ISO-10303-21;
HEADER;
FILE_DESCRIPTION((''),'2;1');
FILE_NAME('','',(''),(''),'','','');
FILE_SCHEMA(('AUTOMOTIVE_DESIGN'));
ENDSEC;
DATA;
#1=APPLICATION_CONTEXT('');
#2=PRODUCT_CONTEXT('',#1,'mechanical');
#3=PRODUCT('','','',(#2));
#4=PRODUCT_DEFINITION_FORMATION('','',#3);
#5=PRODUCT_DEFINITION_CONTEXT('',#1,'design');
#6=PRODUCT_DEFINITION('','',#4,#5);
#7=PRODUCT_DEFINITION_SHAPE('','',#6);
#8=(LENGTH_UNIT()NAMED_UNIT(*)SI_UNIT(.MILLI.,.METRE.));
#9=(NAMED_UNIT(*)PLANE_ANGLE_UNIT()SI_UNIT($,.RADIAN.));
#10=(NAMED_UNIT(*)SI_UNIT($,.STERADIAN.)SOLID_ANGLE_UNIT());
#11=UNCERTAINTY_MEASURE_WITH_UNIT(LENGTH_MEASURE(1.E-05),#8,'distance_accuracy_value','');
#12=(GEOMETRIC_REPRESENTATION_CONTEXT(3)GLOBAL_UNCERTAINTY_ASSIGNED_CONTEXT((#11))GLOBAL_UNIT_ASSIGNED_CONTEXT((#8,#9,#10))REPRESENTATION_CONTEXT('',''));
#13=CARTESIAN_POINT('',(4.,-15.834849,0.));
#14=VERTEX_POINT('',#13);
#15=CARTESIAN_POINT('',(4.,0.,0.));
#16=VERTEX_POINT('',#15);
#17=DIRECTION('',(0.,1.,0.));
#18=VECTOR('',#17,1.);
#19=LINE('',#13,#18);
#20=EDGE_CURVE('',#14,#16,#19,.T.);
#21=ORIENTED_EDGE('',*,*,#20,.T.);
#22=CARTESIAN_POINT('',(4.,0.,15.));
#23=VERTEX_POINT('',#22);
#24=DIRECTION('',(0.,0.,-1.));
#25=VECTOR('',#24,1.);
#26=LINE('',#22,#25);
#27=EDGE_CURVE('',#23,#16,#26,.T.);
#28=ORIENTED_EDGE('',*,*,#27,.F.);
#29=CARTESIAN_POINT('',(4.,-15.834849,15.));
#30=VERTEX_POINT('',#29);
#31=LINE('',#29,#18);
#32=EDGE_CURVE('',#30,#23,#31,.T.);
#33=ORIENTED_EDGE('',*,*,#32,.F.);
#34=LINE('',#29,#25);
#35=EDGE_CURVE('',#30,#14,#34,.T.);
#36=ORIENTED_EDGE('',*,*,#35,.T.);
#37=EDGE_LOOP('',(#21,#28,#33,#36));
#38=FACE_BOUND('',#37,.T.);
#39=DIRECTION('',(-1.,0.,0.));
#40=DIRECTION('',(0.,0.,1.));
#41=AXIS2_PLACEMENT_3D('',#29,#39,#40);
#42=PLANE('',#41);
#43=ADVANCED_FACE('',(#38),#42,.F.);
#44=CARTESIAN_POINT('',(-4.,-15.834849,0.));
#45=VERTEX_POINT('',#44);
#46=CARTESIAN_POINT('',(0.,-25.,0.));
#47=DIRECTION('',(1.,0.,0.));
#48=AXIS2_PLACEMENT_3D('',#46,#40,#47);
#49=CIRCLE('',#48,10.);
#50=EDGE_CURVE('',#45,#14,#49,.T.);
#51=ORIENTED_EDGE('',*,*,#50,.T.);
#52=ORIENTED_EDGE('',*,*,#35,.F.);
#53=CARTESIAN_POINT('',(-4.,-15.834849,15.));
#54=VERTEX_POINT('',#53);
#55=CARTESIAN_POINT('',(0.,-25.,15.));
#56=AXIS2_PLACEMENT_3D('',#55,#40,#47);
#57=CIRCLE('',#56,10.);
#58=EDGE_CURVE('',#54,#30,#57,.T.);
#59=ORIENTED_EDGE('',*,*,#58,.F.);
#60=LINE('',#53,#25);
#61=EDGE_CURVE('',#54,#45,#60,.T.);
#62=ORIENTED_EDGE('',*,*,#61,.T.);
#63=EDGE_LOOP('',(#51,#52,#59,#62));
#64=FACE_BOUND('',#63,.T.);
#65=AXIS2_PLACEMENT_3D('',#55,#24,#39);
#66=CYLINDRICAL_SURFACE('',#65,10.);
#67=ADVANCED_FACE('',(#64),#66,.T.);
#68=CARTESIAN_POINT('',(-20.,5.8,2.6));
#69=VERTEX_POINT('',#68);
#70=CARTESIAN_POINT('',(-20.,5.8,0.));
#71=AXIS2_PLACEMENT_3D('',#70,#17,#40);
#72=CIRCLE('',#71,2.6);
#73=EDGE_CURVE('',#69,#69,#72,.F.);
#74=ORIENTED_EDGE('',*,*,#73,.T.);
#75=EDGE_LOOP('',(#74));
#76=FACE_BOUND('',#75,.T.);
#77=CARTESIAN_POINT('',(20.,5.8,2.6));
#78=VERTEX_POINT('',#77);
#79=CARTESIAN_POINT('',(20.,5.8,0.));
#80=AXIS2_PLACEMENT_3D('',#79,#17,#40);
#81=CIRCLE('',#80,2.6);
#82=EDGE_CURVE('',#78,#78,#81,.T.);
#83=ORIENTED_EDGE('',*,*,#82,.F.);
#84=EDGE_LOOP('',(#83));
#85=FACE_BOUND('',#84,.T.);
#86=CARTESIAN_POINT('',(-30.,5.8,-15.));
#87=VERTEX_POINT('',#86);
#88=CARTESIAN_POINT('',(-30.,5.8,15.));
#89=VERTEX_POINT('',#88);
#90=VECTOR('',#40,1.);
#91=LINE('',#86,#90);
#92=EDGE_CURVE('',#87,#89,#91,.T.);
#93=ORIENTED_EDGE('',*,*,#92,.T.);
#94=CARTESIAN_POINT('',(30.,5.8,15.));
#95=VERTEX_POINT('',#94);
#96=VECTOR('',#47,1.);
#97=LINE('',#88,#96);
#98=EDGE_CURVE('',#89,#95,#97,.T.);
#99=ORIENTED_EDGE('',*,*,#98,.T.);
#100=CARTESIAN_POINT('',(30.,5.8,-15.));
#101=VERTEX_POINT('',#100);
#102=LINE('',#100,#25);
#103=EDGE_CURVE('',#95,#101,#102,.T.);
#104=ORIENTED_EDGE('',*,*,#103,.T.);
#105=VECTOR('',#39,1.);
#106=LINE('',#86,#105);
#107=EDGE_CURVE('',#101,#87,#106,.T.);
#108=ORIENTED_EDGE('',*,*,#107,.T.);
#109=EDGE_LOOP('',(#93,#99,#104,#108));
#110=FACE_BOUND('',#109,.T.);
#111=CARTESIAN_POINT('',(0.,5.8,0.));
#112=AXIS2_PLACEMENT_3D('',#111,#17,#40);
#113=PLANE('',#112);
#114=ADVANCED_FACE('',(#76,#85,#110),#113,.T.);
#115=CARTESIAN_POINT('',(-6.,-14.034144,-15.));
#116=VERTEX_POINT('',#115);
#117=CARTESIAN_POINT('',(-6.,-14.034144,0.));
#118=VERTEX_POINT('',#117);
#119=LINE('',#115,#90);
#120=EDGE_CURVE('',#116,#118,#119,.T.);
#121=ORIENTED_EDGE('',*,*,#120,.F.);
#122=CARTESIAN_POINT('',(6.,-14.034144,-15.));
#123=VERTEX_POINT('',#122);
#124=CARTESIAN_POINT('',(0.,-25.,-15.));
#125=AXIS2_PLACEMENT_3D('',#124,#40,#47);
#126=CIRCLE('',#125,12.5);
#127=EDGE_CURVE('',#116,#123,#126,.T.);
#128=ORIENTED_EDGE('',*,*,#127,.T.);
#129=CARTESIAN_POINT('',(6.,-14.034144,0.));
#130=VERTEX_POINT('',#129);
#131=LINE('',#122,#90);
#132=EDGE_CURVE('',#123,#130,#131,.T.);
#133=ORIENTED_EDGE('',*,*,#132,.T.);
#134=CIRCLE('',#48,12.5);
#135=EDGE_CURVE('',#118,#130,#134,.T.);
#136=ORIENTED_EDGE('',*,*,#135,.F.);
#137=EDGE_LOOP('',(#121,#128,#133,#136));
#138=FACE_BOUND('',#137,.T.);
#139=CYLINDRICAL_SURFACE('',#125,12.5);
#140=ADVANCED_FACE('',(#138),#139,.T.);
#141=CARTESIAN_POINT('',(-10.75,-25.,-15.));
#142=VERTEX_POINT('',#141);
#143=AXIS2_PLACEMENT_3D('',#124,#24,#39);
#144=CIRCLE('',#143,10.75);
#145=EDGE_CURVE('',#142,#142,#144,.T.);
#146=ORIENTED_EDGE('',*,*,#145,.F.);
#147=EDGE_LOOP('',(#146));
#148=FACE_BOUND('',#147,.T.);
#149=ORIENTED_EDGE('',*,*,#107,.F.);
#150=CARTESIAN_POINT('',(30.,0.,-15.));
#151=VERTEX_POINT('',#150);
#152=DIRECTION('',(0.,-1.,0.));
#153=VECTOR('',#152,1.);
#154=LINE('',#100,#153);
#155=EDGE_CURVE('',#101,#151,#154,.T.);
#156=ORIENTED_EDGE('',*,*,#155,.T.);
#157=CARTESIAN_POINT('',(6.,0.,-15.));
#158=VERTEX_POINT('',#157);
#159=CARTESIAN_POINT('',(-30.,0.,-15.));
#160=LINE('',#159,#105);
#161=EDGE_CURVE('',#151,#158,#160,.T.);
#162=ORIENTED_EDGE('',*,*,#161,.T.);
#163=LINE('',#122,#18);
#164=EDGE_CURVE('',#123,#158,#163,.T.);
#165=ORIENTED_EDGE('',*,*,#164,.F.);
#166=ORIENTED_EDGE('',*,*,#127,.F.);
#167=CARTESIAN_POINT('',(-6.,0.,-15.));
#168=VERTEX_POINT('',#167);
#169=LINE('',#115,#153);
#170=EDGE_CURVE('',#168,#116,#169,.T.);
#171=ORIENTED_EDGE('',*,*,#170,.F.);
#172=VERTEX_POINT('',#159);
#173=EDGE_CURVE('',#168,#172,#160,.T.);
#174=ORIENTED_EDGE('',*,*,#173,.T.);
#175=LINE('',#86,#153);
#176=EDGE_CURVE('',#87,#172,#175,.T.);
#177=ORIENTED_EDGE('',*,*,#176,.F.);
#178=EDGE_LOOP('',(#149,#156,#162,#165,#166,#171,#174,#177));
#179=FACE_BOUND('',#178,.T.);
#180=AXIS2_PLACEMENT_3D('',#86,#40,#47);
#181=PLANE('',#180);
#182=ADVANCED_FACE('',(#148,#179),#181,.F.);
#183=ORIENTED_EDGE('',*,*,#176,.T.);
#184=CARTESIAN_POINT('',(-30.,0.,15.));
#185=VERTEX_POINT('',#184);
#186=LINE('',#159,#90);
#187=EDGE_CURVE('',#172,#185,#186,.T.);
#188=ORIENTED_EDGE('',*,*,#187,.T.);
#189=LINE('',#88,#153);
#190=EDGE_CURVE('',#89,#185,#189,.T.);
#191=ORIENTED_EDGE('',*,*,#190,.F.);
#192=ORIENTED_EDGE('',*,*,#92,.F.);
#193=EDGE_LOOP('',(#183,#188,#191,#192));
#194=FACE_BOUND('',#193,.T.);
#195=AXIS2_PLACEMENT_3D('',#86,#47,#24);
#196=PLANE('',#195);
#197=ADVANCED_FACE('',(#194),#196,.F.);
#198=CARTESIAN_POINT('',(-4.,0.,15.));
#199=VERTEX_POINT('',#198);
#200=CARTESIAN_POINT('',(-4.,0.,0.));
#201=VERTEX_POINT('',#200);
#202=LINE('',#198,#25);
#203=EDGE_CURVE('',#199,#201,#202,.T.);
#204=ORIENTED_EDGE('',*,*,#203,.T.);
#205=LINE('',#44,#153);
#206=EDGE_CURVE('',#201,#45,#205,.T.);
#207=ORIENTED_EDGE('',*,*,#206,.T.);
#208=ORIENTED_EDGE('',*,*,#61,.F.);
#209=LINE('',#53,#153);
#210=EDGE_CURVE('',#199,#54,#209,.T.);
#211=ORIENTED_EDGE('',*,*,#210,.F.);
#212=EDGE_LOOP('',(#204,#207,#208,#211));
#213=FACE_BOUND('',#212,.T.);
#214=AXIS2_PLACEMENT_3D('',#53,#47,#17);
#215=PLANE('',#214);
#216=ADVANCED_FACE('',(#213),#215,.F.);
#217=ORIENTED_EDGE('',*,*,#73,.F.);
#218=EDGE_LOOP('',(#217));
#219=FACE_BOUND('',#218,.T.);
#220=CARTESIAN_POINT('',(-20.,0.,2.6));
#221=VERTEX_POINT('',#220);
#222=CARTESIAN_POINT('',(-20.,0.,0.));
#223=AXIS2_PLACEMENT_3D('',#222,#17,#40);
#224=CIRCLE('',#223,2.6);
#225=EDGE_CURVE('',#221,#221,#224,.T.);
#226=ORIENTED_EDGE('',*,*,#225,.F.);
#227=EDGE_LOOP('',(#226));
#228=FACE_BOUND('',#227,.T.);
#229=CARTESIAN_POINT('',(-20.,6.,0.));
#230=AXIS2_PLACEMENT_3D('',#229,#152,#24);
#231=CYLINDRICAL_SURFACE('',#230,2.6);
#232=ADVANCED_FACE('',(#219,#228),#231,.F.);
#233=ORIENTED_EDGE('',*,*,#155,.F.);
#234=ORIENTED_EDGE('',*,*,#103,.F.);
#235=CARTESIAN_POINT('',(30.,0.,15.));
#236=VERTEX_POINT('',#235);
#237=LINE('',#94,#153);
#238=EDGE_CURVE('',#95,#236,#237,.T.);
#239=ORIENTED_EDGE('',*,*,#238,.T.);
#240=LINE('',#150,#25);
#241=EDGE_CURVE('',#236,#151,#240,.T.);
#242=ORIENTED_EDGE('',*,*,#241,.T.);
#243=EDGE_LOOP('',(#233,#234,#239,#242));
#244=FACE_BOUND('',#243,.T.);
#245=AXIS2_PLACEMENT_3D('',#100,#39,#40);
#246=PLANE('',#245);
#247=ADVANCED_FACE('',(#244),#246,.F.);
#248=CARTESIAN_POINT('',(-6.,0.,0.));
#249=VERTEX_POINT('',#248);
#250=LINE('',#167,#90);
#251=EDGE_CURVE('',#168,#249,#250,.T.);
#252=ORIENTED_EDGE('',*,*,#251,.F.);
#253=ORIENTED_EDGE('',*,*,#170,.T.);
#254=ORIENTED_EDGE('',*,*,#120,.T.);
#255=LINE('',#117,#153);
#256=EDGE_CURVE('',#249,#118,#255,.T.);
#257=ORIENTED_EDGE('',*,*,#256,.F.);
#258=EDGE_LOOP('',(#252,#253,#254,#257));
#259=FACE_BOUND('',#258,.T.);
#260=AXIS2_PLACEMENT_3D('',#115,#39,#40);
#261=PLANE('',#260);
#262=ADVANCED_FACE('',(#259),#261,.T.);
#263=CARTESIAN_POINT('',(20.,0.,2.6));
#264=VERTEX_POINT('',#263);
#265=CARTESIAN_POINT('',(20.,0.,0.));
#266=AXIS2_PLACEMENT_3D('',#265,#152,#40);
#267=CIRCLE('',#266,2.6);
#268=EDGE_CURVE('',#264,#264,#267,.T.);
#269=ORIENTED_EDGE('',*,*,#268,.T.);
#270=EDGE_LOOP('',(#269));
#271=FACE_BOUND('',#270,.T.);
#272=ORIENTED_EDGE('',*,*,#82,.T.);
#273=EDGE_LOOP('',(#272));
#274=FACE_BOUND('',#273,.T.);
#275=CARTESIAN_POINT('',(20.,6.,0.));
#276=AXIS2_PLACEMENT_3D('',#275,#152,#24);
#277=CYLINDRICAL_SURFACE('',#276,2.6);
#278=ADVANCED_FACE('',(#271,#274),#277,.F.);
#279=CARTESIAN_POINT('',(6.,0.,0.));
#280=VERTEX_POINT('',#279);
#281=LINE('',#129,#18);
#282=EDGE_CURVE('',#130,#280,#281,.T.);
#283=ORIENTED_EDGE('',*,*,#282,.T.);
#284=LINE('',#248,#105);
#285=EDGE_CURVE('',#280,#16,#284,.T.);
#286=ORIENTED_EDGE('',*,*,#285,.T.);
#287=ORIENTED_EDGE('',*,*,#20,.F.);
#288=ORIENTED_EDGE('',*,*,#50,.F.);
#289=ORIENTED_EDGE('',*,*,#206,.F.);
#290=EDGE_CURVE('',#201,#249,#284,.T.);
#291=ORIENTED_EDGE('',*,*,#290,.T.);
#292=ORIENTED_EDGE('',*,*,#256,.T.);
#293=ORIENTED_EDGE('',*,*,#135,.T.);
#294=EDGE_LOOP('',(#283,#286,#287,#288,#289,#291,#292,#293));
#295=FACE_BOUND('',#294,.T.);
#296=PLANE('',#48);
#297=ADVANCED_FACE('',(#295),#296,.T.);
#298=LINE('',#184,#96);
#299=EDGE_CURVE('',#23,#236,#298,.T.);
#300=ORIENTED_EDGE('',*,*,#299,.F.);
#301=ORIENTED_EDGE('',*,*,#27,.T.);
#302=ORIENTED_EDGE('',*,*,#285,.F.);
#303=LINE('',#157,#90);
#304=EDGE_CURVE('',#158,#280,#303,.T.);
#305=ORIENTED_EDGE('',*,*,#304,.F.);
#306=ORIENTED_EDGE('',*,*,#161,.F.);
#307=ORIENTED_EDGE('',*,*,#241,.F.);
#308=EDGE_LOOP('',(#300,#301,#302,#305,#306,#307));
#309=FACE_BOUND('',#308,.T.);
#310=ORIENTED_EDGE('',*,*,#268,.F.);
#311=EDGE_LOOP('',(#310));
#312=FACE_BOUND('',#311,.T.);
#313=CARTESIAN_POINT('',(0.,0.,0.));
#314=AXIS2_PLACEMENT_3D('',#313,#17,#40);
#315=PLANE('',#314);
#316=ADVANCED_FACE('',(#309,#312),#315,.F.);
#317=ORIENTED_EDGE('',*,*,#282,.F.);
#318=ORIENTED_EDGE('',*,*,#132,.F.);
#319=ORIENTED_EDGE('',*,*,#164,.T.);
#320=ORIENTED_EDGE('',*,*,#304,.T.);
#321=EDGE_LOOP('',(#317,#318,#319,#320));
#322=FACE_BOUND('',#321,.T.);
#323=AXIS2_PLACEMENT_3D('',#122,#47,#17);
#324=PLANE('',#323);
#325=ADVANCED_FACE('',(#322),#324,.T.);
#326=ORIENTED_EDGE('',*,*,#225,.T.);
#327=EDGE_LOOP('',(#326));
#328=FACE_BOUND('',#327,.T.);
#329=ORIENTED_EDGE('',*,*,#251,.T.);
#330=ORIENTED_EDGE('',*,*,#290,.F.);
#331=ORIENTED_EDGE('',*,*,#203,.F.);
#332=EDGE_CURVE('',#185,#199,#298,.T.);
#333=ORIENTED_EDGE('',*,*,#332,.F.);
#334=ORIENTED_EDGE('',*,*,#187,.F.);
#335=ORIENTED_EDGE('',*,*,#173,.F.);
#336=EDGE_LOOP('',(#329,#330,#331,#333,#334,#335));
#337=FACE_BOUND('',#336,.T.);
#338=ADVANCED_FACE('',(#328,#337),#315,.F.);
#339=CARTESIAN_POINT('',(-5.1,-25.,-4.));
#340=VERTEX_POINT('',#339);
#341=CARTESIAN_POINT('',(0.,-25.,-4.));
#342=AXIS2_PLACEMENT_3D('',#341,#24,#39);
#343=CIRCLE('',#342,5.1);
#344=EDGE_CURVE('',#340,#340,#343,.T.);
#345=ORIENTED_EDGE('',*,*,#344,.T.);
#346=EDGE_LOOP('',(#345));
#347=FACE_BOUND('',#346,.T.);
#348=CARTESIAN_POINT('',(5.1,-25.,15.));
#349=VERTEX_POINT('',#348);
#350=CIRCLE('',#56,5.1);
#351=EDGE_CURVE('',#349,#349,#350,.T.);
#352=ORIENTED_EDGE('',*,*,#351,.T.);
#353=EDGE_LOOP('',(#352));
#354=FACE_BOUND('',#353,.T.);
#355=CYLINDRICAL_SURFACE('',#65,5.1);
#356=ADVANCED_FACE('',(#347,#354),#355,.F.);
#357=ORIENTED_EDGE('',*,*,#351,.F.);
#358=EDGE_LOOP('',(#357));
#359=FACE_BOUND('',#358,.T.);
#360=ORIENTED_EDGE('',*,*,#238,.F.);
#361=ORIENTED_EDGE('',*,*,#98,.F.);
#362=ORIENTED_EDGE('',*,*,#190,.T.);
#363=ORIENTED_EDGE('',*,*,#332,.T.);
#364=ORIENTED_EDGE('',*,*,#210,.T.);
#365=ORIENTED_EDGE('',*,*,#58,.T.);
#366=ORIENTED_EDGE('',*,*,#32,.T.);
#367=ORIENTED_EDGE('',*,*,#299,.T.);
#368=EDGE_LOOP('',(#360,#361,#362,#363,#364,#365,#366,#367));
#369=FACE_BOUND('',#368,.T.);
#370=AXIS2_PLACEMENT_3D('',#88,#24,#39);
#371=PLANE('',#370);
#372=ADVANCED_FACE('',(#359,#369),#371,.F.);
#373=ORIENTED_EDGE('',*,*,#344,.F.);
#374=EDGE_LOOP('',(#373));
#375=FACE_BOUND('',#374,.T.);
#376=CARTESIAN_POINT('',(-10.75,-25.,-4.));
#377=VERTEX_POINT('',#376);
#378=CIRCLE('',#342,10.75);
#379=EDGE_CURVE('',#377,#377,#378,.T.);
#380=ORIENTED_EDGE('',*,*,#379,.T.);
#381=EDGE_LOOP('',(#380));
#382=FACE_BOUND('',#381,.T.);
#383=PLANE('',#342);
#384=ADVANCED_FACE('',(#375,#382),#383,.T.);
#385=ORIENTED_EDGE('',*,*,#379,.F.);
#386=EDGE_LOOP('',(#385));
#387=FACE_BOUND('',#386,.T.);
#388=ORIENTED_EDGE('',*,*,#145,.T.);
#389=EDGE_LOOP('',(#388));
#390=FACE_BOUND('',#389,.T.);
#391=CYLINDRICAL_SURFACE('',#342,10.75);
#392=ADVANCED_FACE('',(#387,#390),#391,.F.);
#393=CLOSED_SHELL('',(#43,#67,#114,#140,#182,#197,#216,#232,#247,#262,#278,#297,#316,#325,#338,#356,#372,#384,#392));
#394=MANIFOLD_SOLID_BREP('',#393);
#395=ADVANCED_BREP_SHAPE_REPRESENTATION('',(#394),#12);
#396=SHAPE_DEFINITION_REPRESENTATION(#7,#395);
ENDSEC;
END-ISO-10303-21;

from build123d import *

# Parameters (mm, degrees)
SKETCH1_W           = 60
SKETCH1_H           = 30
BOSS_EXTRUDE1_DEPTH = 5.8
SKETCH2_R           = 2.6
CUT_EXTRUDE1_DEPTH  = 6
SKETCH3_R           = 5.1
BOSS_EXTRUDE2_DEPTH = 15
BOSS_EXTRUDE3_START = -15
SKETCH4_R           = 5.1
BOSS_EXTRUDE3_DEPTH = 15
SKETCH5_R           = 10.75
CUT_EXTRUDE2_DEPTH  = 11


with BuildPart() as part:
    # Sketch1 → Boss-Extrude1 (new body)
    with BuildSketch(Plane(origin=(0, 0, 0), x_dir=(1, 0, 0), z_dir=(0, 1, 0))):
        Rectangle(SKETCH1_W, SKETCH1_H)
    extrude(amount=BOSS_EXTRUDE1_DEPTH)

    # Sketch2 → Cut-Extrude1 (cut)
    with BuildSketch(Plane(origin=(0, 0, 0), x_dir=(1, 0, 0), z_dir=(0, 1, 0))):
        with Locations(Location((-20, 0, 0), (0, 0, 270))):
            Circle(SKETCH2_R)
    cut_extrude1 = extrude(amount=CUT_EXTRUDE1_DEPTH, mode=Mode.SUBTRACT)

    # Mirror1: Cut-Extrude1 across plane
    add(cut_extrude1.mirror(Plane(origin=(0, 0, 0), x_dir=(0, 0, 1), z_dir=(1, 0, 0))), mode=Mode.SUBTRACT)

    # Sketch3 → Boss-Extrude2 (add)
    with BuildSketch(Plane.XY):
        with BuildLine():
            Line((-4, 0), (4, 0))
            Line((4, 0), (4, -15.83484861))
            ThreePointArc((4, -15.83484861), (0, -35), (-4, -15.83484861))
            Line((-4, -15.83484861), (-4, 0))
        make_face()
        with Locations((0, -25)):
            Circle(SKETCH3_R, mode=Mode.SUBTRACT)
    extrude(amount=BOSS_EXTRUDE2_DEPTH)

    # Sketch4 → Boss-Extrude3 (add)
    with BuildSketch(Plane.XY.offset(BOSS_EXTRUDE3_START)):
        with BuildLine():
            Line((-6, -14.0341439), (-6, 0))
            Line((-6, 0), (6, 0))
            Line((6, 0), (6, -14.0341439))
            ThreePointArc((6, -14.0341439), (0, -37.5), (-6, -14.0341439))
        make_face()
        with Locations((0, -25)):
            Circle(SKETCH4_R, mode=Mode.SUBTRACT)
    extrude(amount=BOSS_EXTRUDE3_DEPTH)

    # Sketch5 → Cut-Extrude2 (cut)
    with BuildSketch(Plane(origin=(0, 0, -15), x_dir=(-1, 0, 0), z_dir=(0, 0, -1))):
        with Locations((0, -25)):
            Circle(SKETCH5_R)
    extrude(amount=-CUT_EXTRUDE2_DEPTH, mode=Mode.SUBTRACT)


solid = part.part
